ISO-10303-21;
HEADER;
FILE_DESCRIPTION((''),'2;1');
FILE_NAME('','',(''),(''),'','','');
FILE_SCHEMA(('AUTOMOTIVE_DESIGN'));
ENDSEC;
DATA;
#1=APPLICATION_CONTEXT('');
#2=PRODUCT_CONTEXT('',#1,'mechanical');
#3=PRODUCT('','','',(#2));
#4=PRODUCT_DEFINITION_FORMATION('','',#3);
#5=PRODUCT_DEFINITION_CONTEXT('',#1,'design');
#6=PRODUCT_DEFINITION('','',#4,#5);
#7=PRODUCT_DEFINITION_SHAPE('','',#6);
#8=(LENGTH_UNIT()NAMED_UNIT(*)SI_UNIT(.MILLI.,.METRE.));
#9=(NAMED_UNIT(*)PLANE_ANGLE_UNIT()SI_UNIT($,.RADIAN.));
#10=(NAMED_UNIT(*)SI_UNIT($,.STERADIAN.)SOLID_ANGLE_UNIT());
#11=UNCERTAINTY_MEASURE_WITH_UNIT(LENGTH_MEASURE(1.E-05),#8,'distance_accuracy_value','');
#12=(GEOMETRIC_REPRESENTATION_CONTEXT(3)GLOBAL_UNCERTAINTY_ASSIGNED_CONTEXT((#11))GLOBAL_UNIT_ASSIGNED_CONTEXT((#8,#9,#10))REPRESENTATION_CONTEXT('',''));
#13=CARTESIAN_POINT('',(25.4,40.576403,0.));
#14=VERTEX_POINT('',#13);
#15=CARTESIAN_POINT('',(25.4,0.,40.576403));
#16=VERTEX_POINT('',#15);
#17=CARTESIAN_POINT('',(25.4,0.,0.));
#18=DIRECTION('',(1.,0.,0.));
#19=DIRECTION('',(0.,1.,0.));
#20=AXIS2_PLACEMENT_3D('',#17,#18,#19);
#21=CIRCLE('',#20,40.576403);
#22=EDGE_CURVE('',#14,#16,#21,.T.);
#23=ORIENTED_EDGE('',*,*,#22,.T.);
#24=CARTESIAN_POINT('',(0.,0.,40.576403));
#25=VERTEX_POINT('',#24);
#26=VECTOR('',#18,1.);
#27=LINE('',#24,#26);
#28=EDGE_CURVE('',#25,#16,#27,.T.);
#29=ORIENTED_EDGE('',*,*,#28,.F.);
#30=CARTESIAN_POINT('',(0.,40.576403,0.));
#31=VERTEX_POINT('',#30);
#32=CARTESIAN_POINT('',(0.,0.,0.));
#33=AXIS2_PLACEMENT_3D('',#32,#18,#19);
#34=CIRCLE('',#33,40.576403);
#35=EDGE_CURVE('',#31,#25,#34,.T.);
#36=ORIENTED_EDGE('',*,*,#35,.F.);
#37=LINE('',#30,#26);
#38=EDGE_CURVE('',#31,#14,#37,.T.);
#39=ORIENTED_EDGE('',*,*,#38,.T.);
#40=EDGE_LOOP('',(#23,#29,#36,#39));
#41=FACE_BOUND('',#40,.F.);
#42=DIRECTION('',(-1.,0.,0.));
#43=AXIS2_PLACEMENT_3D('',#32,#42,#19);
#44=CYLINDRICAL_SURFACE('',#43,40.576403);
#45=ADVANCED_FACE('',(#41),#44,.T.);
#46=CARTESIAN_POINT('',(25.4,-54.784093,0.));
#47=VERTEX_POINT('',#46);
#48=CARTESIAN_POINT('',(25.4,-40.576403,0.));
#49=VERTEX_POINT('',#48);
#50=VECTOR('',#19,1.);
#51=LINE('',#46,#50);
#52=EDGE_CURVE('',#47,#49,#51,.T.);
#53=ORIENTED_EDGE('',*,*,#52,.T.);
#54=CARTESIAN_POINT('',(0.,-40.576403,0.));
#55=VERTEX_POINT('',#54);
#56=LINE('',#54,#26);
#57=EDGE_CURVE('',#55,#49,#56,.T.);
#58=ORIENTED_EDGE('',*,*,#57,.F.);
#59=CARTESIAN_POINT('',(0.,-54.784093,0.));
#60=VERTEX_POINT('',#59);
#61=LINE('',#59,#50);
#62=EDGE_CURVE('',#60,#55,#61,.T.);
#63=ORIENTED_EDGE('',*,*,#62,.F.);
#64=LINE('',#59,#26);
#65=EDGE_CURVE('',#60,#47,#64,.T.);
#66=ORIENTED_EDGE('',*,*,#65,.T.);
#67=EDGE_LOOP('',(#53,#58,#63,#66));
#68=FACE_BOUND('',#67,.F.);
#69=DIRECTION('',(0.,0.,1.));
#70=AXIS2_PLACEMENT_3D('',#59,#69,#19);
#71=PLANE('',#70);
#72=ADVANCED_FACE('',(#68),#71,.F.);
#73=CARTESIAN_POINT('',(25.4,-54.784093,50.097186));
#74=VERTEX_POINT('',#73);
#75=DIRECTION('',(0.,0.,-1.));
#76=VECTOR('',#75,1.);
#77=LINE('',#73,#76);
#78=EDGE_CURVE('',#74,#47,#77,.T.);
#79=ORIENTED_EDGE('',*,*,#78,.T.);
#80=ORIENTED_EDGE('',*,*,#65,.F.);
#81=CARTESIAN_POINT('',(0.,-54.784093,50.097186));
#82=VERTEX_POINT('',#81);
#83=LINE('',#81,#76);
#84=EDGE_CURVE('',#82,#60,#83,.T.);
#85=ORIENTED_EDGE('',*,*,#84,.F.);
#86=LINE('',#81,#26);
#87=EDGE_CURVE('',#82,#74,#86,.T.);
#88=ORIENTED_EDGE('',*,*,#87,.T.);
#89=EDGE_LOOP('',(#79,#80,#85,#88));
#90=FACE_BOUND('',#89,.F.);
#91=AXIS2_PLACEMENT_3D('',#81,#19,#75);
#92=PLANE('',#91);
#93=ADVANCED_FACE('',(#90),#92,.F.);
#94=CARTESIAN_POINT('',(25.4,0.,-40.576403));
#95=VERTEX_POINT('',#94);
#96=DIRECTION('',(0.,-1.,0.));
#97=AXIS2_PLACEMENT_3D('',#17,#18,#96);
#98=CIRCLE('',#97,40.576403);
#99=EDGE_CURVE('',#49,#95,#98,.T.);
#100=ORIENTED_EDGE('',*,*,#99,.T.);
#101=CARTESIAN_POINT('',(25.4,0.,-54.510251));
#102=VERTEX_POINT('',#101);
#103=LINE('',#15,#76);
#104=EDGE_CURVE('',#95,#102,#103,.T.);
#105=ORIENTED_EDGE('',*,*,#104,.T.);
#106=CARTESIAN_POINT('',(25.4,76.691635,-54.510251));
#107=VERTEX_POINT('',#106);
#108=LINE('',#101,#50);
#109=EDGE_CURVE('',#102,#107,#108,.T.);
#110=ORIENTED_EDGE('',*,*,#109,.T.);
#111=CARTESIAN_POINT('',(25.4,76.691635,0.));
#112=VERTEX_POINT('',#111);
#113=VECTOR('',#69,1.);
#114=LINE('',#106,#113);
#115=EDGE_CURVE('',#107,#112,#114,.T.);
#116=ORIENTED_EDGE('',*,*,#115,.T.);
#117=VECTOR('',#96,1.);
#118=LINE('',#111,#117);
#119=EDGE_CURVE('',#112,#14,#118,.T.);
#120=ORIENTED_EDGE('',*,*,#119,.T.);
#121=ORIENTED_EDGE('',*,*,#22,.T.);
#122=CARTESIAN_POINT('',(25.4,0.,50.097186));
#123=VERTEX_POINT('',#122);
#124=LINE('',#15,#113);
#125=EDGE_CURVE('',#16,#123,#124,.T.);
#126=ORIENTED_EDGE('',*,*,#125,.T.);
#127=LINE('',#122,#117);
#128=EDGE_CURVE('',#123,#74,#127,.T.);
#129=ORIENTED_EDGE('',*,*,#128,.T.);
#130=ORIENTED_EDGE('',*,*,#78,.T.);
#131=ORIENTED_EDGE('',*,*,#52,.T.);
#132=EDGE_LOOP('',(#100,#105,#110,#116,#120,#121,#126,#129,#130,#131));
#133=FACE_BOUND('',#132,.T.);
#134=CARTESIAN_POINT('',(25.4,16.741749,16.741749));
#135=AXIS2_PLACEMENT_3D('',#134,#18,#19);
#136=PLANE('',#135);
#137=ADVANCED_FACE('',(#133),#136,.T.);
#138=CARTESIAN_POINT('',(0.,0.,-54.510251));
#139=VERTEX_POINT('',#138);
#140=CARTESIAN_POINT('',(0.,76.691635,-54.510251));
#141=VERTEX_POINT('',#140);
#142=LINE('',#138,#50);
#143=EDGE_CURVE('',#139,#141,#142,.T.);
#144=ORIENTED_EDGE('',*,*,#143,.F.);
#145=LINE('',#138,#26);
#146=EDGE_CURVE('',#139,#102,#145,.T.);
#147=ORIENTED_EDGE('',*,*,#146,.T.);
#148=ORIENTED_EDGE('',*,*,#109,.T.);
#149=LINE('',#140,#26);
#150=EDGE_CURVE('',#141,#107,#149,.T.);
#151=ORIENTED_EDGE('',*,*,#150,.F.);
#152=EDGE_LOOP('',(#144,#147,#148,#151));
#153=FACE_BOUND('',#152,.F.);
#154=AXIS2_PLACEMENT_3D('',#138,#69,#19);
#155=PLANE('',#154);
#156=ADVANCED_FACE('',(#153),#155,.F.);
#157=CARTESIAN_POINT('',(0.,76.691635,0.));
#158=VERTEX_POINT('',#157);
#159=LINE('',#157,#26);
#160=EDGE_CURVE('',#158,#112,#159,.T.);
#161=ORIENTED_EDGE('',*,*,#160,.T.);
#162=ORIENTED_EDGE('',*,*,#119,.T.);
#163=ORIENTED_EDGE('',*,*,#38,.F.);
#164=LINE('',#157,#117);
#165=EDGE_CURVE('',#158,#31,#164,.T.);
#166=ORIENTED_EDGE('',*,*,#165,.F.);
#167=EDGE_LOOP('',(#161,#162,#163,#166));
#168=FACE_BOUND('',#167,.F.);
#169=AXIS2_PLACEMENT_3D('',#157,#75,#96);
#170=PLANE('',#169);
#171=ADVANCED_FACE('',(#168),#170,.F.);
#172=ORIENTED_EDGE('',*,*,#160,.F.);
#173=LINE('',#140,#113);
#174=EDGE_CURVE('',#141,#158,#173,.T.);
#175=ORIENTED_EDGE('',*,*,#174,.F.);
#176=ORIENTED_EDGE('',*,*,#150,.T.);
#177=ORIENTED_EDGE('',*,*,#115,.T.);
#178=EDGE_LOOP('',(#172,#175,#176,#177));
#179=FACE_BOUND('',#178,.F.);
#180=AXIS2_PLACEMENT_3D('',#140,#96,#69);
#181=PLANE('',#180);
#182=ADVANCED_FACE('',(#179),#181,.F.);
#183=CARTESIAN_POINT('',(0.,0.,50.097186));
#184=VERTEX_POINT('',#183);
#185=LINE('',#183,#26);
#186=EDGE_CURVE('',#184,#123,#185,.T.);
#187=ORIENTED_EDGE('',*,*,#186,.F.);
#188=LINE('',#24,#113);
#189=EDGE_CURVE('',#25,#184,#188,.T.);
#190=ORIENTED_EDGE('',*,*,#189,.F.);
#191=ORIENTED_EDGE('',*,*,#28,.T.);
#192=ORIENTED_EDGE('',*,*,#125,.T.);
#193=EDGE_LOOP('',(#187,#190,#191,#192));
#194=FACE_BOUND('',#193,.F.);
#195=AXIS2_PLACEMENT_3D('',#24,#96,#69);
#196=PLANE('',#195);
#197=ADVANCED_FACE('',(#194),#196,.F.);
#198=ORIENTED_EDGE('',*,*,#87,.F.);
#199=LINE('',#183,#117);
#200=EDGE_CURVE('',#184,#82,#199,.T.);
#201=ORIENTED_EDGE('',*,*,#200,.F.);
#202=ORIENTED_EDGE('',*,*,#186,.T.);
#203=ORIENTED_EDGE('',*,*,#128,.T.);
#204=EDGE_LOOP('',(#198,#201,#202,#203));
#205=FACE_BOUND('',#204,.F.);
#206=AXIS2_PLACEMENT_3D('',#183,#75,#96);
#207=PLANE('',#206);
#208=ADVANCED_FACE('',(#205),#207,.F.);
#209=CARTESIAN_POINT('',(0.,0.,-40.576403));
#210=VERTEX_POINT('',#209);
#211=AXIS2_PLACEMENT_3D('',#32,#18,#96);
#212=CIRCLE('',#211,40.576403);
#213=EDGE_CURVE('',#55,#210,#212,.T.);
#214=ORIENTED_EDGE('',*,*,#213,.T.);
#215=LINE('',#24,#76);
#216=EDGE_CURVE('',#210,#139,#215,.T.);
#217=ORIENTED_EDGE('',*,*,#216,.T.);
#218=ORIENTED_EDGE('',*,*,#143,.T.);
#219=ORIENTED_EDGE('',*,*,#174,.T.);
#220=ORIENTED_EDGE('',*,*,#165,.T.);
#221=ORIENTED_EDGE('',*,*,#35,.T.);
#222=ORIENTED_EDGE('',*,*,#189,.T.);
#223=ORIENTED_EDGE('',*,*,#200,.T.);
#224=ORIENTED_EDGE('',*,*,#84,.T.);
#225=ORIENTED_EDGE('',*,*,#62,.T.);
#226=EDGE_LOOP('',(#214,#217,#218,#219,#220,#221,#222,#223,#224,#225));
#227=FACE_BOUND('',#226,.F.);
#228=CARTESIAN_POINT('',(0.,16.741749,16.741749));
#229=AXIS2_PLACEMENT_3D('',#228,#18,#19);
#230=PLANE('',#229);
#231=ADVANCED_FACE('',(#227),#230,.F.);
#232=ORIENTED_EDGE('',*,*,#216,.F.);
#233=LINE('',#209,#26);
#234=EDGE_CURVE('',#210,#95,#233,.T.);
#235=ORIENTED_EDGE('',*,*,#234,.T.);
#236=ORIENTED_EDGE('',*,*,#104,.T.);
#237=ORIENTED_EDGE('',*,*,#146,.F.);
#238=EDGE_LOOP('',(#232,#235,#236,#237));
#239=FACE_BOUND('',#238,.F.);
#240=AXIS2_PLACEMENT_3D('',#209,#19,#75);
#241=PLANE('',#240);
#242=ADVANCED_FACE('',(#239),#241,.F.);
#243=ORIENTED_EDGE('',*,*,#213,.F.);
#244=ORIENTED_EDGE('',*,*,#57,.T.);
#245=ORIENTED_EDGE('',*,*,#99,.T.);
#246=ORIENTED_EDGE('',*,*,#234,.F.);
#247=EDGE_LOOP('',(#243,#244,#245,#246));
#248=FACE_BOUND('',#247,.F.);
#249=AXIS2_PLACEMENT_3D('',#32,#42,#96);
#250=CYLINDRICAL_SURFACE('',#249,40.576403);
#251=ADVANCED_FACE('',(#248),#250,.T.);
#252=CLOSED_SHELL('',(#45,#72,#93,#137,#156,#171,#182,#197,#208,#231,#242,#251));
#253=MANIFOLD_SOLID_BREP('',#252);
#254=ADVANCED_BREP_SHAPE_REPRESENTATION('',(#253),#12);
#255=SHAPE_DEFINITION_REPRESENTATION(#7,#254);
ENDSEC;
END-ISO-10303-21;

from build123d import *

# Parameters (mm, degrees)
F1_DEPTH = 25.4


with BuildPart() as f1:
    # F0 (on Right) → F1 (new body)
    with BuildSketch(Plane.YZ):
        with BuildLine():
            Line((0, 0), (40.5764031263, 0))
            ThreePointArc((40.5764031263, 0), (28.6918498068, 28.6918498068), (0, 40.5764031263))
            Line((0, 40.5764031263), (0, 0))
        make_face()
        with BuildLine():
            Line((76.691634953, 0), (40.5764031263, 0))
            ThreePointArc((40.5764031263, 0), (28.6918498068, -28.6918498068), (0, -40.5764031263))
            Line((0, -40.5764031263), (0, -54.5102506876))
            Line((0, -54.5102506876), (76.691634953, -54.5102506876))
            Line((76.691634953, -54.5102506876), (76.691634953, 0))
        make_face()
        with BuildLine():
            ThreePointArc((0, -40.5764031263), (28.6918498068, -28.6918498068), (40.5764031263, 0))
            Line((40.5764031263, 0), (0, 0))
            Line((0, 0), (0, -40.5764031263))
        make_face()
        with BuildLine():
            Line((0, 0), (0, 40.5764031263))
            ThreePointArc((0, 40.5764031263), (-28.6918498068, 28.6918498068), (-40.5764031263, 0))
            Line((-40.5764031263, 0), (0, 0))
        make_face()
        with BuildLine():
            ThreePointArc((-40.5764031263, 0), (-28.6918498068, 28.6918498068), (0, 40.5764031263))
            Line((0, 40.5764031263), (0, 50.0971861184))
            Line((0, 50.0971861184), (-54.7840930521, 50.0971861184))
            Line((-54.7840930521, 50.0971861184), (-54.7840930521, 0))
            Line((-54.7840930521, 0), (-40.5764031263, 0))
        make_face()
        with BuildLine():
            ThreePointArc((-40.5764031263, 0), (-28.6918498068, -28.6918498068), (0, -40.5764031263))
            Line((0, -40.5764031263), (0, 0))
            Line((0, 0), (-40.5764031263, 0))
        make_face()
    extrude(amount=F1_DEPTH)


solid = f1.part
